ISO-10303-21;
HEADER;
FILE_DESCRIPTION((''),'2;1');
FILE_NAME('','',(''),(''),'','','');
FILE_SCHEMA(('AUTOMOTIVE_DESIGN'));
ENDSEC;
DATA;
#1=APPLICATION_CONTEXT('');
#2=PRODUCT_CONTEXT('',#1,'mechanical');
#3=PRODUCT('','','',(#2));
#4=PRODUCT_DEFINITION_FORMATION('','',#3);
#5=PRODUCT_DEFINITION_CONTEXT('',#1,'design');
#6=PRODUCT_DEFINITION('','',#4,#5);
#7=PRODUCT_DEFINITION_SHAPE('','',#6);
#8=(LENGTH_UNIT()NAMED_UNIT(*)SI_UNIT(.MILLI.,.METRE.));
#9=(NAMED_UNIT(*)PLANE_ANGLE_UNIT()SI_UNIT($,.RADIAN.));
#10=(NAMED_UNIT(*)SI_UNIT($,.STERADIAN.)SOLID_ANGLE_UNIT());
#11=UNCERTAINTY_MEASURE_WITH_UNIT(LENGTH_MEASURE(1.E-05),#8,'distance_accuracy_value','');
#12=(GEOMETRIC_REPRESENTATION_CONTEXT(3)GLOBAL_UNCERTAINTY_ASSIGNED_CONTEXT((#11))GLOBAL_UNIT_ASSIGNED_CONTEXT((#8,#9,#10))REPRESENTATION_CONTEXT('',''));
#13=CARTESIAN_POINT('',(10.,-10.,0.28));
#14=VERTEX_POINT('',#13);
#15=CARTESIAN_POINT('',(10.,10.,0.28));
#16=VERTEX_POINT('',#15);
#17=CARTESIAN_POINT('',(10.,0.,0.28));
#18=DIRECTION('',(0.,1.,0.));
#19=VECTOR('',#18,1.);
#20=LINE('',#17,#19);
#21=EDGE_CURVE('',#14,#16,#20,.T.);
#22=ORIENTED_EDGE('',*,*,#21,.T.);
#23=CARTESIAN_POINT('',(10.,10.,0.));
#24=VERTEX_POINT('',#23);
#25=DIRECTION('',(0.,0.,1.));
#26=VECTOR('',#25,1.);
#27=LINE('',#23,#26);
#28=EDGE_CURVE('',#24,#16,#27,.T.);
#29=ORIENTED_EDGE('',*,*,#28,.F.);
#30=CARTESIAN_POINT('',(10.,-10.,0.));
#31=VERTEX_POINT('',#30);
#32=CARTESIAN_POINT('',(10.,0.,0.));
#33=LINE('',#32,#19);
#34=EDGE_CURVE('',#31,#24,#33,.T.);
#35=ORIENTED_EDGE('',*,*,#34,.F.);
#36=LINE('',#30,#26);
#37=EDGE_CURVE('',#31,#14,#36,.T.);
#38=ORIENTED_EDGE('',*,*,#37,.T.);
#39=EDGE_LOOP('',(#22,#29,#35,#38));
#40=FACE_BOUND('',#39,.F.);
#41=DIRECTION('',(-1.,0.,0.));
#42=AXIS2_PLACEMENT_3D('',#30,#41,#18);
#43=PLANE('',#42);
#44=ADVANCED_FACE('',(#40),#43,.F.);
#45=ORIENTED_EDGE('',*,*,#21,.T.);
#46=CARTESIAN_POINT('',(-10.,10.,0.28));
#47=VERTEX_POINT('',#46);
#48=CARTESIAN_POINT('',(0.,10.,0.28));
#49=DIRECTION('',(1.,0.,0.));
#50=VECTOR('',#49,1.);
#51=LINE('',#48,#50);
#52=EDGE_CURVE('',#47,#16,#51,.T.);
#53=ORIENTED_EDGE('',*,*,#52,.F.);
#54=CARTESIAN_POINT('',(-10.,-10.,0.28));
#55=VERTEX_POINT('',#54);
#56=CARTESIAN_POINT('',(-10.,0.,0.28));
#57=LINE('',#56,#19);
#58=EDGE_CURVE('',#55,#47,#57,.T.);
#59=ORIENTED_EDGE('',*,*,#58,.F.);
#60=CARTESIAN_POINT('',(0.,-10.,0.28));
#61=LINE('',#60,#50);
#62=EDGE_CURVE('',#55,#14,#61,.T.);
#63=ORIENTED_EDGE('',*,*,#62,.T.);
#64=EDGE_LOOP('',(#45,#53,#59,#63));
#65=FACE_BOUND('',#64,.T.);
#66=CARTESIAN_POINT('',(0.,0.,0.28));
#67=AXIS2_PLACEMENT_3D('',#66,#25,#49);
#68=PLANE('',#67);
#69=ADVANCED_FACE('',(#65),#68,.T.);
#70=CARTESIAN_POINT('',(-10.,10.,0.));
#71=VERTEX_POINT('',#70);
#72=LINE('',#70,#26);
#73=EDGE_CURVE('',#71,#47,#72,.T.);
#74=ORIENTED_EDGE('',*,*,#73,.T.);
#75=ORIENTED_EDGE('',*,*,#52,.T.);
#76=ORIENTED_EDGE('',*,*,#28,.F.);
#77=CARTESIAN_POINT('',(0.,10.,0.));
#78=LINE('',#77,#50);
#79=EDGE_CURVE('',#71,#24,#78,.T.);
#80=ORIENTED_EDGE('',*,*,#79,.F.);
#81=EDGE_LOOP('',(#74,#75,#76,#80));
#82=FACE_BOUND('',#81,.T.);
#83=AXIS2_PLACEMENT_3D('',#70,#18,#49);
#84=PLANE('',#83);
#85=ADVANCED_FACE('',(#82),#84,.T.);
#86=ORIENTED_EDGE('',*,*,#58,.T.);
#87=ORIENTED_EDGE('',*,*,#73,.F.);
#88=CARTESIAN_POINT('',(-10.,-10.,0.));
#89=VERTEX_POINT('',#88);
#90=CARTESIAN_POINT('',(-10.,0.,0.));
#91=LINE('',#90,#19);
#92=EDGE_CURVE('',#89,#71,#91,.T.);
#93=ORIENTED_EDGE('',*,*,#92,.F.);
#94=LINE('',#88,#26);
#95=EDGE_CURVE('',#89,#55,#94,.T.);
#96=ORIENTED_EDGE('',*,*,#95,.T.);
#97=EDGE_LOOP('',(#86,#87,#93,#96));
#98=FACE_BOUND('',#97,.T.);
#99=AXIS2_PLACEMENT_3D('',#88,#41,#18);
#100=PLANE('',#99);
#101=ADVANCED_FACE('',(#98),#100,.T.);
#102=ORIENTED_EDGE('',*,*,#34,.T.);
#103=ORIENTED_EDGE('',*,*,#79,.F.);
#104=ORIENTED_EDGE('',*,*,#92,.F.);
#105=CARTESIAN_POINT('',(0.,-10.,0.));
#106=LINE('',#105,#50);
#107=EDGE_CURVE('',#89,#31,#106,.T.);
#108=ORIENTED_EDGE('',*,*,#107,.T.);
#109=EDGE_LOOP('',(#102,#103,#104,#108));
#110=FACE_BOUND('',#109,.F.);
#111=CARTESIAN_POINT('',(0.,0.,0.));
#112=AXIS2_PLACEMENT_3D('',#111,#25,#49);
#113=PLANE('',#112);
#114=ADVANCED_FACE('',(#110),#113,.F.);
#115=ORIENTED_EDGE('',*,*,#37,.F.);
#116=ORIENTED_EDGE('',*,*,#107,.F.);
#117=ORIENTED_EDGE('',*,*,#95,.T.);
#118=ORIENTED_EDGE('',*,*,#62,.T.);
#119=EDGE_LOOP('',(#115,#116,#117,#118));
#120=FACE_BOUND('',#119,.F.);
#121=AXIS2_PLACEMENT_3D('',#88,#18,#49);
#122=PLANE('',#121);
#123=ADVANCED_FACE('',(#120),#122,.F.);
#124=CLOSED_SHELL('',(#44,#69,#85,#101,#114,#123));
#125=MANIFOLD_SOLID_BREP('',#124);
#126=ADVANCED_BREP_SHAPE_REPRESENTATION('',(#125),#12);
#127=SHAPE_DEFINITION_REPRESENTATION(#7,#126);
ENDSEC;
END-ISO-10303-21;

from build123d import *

# Parameters (mm, degrees)
SKETCH_W  = 20
SKETCH_H  = 20
PAD_DEPTH = 0.28


with BuildPart() as part:
    # Sketch → Pad (new body)
    with BuildSketch(Plane.XY):
        Rectangle(SKETCH_W, SKETCH_H)
    extrude(amount=PAD_DEPTH)


solid = part.part
